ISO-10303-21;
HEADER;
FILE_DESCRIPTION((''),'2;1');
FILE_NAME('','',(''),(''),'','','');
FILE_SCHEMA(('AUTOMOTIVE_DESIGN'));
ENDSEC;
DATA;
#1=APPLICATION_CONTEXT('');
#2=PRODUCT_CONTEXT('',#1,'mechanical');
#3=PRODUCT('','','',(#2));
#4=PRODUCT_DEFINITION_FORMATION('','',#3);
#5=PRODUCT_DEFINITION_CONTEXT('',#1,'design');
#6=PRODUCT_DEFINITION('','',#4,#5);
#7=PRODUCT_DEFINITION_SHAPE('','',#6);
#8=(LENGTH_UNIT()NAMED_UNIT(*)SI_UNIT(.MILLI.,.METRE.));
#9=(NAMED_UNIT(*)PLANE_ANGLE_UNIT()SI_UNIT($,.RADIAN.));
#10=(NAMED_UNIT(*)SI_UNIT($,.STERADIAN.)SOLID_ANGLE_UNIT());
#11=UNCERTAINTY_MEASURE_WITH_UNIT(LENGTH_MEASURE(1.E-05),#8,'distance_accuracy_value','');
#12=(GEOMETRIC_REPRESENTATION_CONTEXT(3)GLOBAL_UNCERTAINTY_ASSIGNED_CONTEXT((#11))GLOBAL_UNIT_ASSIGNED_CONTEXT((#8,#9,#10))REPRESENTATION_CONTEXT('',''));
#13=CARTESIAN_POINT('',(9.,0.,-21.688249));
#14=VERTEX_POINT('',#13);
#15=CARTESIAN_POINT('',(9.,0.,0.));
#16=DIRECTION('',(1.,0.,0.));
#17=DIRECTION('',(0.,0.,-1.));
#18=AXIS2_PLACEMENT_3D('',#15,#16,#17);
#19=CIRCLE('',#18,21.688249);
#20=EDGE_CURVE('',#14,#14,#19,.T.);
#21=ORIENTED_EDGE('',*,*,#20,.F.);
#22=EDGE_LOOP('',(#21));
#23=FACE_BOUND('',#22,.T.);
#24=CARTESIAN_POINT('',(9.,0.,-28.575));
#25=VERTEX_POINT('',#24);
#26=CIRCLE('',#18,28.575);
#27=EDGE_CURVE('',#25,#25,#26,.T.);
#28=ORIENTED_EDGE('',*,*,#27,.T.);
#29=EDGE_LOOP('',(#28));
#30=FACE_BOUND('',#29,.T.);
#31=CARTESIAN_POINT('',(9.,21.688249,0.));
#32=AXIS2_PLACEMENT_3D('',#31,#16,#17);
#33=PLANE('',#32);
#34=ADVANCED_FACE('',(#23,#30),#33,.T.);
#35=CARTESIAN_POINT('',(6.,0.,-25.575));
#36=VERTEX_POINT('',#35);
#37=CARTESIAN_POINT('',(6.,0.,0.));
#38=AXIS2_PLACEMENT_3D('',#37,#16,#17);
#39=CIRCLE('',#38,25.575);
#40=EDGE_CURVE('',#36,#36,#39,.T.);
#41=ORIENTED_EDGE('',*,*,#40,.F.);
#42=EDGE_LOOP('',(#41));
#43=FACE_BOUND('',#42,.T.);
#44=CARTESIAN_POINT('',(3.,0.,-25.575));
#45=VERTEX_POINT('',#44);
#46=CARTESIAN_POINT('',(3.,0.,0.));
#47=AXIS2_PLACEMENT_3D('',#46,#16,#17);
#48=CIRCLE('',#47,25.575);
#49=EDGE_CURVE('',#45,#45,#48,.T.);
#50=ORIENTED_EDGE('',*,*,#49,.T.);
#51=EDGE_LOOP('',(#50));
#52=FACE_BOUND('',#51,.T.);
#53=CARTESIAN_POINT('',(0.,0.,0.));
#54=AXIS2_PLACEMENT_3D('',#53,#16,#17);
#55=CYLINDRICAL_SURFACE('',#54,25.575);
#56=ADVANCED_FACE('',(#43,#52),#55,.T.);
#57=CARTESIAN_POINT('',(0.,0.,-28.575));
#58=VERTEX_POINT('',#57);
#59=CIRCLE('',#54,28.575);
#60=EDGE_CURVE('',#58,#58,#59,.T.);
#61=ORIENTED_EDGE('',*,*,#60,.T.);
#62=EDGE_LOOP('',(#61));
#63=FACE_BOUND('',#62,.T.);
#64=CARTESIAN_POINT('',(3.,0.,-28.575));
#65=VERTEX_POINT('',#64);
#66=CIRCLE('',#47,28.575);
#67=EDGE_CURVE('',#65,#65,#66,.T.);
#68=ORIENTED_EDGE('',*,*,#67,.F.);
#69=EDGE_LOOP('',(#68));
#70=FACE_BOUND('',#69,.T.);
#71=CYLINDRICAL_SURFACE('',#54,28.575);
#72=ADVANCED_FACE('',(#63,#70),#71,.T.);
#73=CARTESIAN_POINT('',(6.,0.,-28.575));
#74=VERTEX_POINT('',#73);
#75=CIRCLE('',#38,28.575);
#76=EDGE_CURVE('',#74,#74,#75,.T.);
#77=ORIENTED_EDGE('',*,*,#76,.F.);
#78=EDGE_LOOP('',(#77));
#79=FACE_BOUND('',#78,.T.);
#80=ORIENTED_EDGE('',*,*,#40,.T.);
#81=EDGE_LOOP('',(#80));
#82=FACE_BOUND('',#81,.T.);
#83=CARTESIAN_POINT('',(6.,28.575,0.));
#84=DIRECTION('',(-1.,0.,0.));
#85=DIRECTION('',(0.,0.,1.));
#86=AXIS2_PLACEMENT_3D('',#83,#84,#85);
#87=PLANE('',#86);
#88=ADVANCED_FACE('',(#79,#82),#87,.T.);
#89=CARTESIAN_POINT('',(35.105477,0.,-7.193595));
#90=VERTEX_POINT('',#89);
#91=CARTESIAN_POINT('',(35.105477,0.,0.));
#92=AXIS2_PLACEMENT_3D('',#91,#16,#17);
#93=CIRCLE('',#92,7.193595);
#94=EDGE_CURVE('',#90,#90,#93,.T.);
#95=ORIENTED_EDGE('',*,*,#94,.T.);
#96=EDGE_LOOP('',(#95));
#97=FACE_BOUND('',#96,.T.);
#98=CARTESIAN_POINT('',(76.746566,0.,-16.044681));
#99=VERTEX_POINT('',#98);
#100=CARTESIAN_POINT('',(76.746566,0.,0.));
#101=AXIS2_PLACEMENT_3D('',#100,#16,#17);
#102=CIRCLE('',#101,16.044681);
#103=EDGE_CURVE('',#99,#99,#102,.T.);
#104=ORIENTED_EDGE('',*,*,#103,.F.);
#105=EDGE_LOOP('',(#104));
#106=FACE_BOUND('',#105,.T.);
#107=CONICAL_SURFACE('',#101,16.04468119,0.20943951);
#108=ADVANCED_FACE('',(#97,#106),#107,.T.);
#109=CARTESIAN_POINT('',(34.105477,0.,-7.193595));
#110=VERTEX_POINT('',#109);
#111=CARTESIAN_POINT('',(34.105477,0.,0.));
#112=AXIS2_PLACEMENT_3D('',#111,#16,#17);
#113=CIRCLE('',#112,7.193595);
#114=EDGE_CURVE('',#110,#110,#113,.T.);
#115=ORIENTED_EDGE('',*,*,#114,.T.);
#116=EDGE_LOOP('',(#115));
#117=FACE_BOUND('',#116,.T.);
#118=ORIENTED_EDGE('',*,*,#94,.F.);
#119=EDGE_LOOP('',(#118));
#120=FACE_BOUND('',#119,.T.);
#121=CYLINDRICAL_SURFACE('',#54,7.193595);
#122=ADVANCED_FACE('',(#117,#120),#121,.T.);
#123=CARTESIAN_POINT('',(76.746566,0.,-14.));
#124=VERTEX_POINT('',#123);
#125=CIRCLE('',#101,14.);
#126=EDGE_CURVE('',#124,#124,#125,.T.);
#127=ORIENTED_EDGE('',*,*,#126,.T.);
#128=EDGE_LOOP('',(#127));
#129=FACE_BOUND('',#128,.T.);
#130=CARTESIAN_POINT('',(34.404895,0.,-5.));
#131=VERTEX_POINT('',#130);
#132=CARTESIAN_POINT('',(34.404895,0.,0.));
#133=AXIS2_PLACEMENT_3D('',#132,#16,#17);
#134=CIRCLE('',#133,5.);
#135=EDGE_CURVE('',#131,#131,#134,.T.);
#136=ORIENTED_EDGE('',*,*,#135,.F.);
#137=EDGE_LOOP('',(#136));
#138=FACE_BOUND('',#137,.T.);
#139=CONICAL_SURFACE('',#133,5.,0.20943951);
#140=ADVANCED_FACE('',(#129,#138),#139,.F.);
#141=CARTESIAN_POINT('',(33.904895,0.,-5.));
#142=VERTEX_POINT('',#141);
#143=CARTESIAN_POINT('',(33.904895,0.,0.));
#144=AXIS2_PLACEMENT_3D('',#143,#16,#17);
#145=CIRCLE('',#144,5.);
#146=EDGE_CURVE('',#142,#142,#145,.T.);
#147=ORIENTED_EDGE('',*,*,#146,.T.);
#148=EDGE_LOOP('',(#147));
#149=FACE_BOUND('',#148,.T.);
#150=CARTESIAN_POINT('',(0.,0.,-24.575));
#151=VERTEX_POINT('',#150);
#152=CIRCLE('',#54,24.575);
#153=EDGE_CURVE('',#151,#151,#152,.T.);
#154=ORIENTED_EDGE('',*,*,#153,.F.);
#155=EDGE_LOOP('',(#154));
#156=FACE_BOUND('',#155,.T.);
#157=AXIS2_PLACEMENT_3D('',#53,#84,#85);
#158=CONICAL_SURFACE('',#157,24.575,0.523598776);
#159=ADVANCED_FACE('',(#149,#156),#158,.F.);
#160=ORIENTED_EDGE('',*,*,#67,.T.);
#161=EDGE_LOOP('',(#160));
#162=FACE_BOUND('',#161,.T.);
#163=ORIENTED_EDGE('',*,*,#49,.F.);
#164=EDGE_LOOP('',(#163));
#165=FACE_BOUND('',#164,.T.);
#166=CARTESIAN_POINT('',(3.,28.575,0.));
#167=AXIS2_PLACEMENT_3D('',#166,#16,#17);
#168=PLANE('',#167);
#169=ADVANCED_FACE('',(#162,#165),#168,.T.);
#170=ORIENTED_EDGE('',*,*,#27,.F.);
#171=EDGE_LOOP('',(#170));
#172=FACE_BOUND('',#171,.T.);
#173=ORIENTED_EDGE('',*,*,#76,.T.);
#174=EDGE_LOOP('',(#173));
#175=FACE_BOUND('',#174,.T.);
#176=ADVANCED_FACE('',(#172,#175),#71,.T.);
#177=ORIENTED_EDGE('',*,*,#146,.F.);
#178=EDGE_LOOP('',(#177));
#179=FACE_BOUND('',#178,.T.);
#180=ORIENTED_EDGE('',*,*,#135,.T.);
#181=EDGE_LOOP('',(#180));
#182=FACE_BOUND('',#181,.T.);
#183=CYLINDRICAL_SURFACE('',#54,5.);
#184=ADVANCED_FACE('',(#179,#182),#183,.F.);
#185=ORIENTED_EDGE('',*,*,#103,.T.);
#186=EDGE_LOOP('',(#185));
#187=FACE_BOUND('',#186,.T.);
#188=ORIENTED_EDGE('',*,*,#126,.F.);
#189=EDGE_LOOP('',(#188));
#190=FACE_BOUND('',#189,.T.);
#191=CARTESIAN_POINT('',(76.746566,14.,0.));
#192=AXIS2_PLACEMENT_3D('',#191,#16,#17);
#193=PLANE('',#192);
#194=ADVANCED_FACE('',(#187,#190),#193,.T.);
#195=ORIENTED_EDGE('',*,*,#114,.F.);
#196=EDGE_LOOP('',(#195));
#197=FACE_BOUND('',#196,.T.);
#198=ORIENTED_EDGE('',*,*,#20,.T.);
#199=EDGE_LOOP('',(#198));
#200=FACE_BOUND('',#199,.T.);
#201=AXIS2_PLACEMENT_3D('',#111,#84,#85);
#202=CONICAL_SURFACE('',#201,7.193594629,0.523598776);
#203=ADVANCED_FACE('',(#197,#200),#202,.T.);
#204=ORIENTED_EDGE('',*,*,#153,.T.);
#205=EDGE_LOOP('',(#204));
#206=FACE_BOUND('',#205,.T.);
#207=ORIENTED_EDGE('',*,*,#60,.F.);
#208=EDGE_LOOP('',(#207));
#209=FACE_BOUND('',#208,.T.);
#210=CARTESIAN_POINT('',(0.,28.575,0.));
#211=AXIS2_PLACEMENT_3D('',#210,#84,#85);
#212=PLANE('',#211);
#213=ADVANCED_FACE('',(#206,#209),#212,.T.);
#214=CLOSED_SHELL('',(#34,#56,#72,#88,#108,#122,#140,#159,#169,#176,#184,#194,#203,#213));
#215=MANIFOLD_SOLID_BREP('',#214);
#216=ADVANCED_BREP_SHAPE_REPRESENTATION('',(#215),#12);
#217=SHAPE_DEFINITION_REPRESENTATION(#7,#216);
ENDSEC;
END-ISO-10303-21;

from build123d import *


with BuildPart() as part:
    # Esboço1 → Revolução1 (revolve)
    with BuildSketch(Plane.XY):
        Polygon((0, 28.575), (0, 24.575), (33.904894558, 5), (34.404894558, 5), (76.746565543, 14), (76.746565543, 16.04468119), (35.105477209, 7.193594629), (34.105477209, 7.193594629), (9, 21.688248654), (9, 28.575), (6, 28.575), (6, 25.575), (3, 25.575), (3, 28.575), align=None)
    revolve(axis=Axis((0, 0, 0), (-1, 0, 0)))


solid = part.part
